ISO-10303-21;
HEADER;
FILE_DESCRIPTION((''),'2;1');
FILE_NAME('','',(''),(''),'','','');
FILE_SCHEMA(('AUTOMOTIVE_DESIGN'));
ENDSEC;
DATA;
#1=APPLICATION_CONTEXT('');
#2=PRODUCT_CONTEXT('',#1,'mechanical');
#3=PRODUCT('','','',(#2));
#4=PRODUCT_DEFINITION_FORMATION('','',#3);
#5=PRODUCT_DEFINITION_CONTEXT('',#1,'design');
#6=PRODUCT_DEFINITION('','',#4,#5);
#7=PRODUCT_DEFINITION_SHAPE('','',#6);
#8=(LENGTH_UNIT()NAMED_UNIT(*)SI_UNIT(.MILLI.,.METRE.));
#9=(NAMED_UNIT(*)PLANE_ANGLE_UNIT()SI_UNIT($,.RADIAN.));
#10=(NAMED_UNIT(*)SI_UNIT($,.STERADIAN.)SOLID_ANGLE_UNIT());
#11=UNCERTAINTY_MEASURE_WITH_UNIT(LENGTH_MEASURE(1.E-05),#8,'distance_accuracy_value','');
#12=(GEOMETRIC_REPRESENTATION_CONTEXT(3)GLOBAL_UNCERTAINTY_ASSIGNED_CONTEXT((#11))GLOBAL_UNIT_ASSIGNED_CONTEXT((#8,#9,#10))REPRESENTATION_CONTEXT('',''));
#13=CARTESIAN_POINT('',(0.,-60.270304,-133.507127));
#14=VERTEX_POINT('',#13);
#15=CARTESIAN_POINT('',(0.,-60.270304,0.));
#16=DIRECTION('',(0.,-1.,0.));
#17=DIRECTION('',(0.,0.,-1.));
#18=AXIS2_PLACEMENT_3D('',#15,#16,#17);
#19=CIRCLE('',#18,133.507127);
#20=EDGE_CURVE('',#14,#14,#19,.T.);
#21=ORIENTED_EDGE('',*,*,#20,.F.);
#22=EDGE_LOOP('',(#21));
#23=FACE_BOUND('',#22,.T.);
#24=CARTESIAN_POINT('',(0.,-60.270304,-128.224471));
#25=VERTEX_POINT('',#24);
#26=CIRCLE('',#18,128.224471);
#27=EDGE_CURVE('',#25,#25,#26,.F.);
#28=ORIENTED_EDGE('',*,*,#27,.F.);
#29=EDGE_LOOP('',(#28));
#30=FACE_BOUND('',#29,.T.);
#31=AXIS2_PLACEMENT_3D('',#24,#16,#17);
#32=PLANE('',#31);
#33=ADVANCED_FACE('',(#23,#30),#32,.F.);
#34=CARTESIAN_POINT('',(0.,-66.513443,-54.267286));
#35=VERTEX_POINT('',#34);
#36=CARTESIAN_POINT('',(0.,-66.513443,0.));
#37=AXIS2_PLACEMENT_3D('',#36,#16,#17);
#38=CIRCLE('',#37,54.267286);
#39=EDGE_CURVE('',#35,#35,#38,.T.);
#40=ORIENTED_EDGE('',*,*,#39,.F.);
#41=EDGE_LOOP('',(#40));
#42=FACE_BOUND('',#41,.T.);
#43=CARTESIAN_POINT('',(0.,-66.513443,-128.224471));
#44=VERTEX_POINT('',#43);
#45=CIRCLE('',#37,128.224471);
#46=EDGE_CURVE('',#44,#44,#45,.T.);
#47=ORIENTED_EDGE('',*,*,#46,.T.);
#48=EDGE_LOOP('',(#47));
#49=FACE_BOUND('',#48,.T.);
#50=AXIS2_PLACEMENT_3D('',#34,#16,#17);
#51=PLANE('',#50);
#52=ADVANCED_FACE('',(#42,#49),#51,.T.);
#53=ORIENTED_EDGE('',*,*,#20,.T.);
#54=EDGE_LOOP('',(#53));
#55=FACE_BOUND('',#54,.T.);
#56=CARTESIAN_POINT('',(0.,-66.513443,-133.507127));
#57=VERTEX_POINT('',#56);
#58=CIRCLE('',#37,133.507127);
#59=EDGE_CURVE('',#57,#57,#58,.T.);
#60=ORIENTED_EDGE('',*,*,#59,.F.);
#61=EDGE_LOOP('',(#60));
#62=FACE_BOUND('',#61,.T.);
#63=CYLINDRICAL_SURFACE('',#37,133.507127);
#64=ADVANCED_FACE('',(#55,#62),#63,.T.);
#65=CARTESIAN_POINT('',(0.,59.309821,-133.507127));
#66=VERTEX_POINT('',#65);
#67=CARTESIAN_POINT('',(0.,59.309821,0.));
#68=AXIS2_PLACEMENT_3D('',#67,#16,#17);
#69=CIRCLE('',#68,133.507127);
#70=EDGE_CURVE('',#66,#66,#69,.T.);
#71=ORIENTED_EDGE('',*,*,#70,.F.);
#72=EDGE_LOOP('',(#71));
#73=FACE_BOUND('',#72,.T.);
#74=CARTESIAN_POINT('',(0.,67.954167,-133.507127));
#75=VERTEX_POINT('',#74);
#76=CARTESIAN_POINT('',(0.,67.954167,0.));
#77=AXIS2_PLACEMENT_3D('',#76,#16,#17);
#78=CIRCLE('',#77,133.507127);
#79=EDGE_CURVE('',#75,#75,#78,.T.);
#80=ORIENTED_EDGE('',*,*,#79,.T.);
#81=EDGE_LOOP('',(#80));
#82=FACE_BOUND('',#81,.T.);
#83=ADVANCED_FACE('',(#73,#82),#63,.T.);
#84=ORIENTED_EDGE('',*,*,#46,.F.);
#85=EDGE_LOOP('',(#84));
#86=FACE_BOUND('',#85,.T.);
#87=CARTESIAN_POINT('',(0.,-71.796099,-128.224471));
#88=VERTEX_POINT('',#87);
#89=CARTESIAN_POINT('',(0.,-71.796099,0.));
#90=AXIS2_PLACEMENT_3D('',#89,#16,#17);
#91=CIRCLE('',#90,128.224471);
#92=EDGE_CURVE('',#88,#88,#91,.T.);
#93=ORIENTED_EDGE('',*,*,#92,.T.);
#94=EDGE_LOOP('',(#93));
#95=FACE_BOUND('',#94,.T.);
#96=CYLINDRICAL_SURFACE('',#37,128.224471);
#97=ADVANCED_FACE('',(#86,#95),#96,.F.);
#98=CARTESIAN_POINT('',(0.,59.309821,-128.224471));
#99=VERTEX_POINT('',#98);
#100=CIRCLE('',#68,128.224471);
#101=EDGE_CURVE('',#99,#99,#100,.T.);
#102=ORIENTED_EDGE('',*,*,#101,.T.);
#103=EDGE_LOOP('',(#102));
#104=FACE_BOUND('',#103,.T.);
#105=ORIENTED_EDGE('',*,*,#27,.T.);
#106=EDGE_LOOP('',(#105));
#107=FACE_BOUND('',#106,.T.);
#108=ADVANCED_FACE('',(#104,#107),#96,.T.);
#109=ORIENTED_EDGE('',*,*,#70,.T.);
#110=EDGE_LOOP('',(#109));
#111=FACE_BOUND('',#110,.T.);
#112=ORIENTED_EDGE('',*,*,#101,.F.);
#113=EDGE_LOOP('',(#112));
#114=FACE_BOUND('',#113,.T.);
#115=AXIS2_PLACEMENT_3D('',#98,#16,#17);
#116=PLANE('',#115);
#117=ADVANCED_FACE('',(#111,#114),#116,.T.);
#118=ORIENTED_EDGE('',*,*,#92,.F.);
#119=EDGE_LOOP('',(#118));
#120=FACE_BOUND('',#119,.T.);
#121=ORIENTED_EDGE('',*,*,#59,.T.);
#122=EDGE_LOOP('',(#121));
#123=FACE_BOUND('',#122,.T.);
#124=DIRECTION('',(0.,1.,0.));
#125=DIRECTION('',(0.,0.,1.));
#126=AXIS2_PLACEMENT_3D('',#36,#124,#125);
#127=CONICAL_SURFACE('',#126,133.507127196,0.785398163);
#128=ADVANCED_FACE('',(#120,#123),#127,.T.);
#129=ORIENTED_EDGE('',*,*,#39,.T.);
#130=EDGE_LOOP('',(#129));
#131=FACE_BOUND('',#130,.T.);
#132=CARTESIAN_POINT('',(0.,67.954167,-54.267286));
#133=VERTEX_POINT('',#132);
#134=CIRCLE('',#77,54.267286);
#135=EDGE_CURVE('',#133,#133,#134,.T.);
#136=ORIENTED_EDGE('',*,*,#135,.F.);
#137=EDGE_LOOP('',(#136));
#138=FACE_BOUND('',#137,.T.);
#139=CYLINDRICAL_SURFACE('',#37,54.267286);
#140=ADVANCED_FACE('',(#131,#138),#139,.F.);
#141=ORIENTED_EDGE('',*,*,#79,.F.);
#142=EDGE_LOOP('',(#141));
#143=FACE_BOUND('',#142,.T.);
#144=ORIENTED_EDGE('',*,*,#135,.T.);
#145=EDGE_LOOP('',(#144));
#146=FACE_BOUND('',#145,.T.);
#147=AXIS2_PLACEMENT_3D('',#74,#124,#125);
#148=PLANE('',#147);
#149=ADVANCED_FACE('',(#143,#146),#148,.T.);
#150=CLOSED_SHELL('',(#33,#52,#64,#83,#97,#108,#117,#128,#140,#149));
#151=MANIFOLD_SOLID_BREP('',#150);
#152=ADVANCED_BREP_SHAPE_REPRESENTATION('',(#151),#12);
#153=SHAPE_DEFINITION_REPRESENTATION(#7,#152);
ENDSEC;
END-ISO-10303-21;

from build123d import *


with BuildPart() as part:
    # Croquis1 → Revolución1 (revolve)
    with BuildSketch(Plane(origin=(0, 0, 0), x_dir=(0, 0, -1), z_dir=(1, 0, 0))):
        Polygon((54.267285515, 67.95416726), (54.267285515, -66.513442866), (128.224471084, -66.513442866), (128.224471084, -60.270303824), (128.224471084, 59.309820895), (133.507127196, 59.309820895), (133.507127196, 67.95416726), align=None)
        Polygon((128.224471084, -60.270303824), (128.224471084, -66.513442866), (128.224471084, -71.796098978), (133.507127196, -66.513442866), (133.507127196, -60.270303824), align=None)
    revolve(axis=Axis((0, -66.513442866, 0), (0, 1, 0)))


solid = part.part
